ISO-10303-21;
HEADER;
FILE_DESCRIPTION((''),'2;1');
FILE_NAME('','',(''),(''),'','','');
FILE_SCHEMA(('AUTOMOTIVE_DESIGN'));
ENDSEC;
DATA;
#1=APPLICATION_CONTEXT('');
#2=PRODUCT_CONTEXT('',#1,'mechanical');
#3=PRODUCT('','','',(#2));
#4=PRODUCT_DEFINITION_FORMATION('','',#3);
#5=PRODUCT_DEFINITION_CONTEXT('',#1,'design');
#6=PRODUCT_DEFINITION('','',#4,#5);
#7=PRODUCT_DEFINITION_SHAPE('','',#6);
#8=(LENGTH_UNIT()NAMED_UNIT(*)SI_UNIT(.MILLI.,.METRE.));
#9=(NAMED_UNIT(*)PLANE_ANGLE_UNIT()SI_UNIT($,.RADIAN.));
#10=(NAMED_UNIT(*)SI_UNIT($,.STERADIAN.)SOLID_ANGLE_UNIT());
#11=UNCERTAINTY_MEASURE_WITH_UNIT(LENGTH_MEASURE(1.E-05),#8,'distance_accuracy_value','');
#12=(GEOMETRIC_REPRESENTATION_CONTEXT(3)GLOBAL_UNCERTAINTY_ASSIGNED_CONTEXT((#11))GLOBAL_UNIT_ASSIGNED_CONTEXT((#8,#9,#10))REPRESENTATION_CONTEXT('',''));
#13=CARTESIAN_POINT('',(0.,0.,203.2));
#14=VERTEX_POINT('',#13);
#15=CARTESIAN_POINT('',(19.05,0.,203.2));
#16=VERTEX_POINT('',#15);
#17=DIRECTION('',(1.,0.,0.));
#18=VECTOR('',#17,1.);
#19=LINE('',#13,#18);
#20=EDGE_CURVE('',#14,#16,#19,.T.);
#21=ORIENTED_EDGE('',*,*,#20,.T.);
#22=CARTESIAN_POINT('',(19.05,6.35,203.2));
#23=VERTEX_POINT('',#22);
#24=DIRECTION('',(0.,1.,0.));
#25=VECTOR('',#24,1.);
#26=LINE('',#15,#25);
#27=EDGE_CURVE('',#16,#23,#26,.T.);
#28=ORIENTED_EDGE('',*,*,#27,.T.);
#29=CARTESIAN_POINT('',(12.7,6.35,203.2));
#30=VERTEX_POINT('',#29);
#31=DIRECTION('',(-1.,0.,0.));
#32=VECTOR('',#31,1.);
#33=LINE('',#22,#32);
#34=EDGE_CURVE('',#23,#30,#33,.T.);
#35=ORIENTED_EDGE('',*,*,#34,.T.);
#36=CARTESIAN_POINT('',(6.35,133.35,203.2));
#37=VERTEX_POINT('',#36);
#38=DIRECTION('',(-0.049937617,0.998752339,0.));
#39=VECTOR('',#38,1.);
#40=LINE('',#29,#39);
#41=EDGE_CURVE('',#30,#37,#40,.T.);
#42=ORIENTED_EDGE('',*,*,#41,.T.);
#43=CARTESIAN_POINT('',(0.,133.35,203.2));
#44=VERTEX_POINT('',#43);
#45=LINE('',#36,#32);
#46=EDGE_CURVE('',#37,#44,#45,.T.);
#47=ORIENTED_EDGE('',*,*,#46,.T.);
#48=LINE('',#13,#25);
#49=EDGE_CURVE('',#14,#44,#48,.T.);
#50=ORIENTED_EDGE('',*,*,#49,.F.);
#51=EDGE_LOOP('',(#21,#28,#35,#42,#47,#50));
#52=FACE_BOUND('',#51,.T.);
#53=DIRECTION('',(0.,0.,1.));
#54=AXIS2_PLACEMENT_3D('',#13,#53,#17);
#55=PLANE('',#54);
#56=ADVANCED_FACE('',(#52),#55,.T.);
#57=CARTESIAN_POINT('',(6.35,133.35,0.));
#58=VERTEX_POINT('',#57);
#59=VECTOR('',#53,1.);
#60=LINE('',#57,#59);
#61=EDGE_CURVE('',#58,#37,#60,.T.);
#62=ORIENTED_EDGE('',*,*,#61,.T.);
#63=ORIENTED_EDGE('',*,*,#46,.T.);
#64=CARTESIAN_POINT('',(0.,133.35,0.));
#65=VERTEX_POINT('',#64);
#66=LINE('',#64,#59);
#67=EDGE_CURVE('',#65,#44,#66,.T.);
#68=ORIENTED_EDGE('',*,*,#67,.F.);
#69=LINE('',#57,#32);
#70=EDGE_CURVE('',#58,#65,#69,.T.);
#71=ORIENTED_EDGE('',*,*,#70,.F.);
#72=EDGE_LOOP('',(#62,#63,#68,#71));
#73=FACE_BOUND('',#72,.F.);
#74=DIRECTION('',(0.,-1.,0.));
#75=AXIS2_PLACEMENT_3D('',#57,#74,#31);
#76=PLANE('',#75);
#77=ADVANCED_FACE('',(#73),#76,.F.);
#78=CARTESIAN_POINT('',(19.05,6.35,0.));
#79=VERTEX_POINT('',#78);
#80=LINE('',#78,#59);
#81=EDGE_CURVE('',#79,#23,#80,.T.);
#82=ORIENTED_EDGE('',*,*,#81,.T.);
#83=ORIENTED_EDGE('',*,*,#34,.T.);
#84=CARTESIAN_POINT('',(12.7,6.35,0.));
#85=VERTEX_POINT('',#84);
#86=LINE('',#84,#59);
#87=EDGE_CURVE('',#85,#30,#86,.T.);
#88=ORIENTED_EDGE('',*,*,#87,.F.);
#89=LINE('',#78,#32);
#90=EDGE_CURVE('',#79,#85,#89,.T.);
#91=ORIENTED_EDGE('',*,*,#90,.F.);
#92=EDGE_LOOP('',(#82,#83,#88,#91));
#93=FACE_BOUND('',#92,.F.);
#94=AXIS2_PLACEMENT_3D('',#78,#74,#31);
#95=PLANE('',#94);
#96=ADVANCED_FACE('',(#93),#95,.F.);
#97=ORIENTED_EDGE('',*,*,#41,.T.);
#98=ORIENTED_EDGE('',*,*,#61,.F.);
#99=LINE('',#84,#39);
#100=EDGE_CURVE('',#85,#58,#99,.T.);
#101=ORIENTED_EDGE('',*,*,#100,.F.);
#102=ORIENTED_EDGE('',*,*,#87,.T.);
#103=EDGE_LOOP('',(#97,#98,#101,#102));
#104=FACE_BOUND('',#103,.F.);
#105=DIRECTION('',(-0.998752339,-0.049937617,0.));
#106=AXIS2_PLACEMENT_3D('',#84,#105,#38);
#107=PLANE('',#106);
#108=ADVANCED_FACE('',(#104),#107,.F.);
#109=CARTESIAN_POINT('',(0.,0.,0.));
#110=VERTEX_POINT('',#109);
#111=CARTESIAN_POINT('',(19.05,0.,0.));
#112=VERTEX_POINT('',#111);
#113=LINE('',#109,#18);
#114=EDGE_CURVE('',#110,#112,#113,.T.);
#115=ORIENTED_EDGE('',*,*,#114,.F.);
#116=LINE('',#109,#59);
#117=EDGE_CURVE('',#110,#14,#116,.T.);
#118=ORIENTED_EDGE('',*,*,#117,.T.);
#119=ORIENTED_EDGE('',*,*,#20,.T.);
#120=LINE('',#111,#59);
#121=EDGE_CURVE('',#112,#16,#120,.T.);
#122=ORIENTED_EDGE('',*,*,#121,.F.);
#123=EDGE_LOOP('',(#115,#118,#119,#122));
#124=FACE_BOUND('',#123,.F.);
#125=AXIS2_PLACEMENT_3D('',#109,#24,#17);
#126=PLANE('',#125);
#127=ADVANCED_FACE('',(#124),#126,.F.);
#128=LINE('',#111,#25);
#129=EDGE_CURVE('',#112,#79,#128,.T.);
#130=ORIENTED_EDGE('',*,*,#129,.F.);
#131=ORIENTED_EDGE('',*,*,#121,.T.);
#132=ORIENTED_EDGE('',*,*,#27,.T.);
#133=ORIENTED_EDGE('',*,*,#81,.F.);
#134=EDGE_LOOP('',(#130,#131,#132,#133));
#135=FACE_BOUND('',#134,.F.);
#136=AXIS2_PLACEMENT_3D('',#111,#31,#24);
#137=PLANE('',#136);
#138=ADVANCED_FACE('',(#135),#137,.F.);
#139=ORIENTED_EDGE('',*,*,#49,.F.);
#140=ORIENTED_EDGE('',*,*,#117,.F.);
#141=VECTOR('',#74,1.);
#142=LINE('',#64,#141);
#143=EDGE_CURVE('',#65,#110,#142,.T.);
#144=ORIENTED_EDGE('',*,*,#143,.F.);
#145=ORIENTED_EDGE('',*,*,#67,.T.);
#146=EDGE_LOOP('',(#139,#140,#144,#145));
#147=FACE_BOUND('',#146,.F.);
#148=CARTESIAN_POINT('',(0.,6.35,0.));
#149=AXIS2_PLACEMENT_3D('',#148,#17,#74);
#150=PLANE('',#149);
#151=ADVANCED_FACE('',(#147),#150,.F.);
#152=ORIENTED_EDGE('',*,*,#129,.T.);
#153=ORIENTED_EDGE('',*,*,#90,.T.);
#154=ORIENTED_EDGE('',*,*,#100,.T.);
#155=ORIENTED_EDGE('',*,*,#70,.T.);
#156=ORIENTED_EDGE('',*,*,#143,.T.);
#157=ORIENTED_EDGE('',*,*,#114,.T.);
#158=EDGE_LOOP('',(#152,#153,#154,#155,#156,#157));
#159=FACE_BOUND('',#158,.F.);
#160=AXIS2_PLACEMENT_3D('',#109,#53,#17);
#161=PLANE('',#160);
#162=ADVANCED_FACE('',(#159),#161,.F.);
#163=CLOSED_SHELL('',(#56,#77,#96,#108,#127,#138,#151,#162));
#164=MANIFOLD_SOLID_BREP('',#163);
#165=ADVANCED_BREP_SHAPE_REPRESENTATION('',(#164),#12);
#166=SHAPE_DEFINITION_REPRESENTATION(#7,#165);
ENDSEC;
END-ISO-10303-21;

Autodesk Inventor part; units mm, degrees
ref_plane "YZ Plane" through (0, 0, 0) normal (1, 0, 0) x (0, 1, 0)
ref_plane "XZ Plane" through (0, 0, 0) normal (0, 1, 0) x (-1, 0, 0)
ref_plane "XY Plane" through (0, 0, 0) normal (0, 0, 1) x (1, 0, 0)
sketch "Sketch1" plane through (0, 0, 0) normal (0, 0, 1) x (1, 0, 0)
  line L0 (0, 0) -> (19.05, 0)
  line L1 (19.05, 0) -> (19.05, 6.35)
  line L2 (19.05, 6.35) -> (0, 6.35)
  line L3 (0, 6.35) -> (0, 0)
  line L4 (0, 6.35) -> (6.35, 6.35)
  line L5 (6.35, 6.35) -> (6.35, 133.35)
  line L6 (6.35, 133.35) -> (0, 133.35)
  line L7 (0, 133.35) -> (0, 6.35)
  line L8 (12.7, 6.35) -> (6.35, 133.35)
  dimension "d0" = 19.05
  dimension "d1" = 6.35
  dimension "d2" = 6.35
  dimension "d3" = 127
extrude "Extrusion1" add sketch "Sketch1" along normal blind 203.2
properties part number "TurretBracket"
